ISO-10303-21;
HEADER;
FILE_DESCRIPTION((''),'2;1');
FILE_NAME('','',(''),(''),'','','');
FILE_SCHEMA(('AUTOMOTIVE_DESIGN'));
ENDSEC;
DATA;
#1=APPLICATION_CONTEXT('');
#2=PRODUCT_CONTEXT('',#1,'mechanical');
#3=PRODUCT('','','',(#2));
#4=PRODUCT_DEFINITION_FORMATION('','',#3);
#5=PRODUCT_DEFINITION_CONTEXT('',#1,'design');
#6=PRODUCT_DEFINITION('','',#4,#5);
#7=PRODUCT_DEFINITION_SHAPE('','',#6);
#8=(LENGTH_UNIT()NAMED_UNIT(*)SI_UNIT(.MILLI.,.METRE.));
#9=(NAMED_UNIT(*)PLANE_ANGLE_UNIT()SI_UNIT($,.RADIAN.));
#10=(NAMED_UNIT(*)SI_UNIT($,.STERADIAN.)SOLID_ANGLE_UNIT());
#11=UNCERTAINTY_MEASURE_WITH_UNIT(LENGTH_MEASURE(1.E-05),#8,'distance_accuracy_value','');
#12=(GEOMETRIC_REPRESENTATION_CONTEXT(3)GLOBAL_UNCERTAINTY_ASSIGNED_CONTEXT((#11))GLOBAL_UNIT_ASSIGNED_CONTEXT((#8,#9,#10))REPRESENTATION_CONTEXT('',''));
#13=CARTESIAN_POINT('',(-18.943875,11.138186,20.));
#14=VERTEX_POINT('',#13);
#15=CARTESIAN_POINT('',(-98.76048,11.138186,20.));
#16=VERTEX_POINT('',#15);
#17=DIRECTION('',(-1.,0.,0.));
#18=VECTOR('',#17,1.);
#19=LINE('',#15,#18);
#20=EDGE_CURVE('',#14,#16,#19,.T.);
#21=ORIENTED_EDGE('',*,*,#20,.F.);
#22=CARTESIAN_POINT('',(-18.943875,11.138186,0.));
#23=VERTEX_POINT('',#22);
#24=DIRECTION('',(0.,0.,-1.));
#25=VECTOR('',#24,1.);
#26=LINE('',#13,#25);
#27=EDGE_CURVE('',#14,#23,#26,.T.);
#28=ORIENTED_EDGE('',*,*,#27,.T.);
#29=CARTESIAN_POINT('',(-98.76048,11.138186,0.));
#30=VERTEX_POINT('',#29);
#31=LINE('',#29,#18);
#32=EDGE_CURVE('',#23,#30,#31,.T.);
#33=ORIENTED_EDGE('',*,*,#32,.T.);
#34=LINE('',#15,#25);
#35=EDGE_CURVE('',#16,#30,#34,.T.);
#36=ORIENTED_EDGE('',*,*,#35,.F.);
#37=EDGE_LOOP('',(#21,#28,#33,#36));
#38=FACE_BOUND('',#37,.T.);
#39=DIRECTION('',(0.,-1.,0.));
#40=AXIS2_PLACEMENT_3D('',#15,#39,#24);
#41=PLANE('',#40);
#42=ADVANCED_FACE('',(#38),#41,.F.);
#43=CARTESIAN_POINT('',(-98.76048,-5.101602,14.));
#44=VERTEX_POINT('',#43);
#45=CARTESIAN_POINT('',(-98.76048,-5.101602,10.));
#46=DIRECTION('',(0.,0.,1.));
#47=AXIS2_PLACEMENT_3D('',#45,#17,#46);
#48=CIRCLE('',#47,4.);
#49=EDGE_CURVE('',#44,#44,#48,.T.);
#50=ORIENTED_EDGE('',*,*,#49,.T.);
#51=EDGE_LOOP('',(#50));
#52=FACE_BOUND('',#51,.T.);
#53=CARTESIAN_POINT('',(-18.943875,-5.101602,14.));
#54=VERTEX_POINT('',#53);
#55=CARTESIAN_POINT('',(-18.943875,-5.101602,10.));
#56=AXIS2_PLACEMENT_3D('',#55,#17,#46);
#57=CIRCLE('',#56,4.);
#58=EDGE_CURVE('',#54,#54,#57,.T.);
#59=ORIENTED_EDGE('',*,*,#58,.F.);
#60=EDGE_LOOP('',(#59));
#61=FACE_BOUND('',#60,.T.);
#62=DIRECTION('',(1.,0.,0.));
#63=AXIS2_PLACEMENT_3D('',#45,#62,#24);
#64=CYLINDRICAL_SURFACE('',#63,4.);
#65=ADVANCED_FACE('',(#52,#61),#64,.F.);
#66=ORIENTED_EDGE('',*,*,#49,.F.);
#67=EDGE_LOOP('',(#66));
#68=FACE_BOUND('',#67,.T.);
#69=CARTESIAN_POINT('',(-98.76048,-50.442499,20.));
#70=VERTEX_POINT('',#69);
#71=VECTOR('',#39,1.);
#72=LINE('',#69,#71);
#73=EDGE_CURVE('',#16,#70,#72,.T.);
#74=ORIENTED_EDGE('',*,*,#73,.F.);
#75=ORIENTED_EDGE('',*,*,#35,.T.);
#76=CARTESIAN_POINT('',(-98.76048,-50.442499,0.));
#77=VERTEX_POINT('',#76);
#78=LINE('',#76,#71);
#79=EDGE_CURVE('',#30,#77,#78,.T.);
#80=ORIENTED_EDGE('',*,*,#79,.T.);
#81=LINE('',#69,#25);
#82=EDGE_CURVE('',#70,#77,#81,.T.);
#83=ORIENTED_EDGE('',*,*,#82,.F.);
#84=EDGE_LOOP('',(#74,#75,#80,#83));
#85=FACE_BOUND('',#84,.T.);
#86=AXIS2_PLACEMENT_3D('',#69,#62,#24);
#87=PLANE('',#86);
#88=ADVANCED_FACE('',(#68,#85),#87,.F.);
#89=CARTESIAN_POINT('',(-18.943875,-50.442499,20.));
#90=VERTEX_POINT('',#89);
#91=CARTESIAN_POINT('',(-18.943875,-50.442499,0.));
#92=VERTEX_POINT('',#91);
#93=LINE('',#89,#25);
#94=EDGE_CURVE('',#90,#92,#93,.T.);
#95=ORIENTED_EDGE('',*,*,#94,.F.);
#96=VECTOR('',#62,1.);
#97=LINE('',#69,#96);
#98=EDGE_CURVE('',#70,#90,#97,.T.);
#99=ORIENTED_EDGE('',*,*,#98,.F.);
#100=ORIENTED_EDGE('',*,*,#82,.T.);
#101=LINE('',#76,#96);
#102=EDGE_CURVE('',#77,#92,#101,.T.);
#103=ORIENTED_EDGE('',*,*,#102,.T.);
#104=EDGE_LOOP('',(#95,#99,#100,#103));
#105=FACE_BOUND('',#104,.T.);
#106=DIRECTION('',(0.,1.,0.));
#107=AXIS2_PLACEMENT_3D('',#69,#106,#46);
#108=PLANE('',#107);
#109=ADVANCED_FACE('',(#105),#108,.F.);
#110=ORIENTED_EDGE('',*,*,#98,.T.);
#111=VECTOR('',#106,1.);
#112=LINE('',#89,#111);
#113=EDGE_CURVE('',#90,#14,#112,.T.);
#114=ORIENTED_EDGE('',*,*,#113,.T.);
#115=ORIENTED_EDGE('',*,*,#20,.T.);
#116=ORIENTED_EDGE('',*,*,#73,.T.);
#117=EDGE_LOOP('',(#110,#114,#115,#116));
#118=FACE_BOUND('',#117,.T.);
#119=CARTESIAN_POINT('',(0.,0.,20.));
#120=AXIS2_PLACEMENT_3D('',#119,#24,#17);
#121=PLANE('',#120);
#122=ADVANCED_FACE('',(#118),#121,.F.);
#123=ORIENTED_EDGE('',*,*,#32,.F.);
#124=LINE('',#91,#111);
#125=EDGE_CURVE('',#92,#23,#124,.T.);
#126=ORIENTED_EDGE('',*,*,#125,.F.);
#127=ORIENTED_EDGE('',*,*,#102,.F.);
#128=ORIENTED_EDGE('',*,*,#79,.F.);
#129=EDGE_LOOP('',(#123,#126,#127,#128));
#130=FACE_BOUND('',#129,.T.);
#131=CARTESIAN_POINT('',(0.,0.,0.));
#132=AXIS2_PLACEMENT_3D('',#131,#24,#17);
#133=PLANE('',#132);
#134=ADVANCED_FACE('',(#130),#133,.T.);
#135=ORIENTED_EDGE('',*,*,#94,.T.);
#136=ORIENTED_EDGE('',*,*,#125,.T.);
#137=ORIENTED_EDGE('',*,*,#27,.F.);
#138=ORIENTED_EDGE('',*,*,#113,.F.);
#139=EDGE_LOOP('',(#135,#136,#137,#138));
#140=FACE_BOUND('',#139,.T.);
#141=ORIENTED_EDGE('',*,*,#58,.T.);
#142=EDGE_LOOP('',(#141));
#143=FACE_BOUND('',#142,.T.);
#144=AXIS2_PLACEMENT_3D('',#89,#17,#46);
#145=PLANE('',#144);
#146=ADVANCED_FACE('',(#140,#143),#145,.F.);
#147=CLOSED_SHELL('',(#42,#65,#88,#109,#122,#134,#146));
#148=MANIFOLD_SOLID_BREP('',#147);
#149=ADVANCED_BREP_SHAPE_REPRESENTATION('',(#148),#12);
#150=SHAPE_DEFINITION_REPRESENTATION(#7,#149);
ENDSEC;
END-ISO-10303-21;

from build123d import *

# Parameters (mm, degrees)
SKETCH1_W           = 79.816604327
SKETCH1_H           = 61.580684207
BOSS_EXTRUDE1_DEPTH = 20
CUT_EXTRUDE1_START  = -18.943875
SKETCH3_R           = 4
CUT_EXTRUDE1_DEPTH  = 80.816604514


with BuildPart() as part:
    # Sketch1 → Boss-Extrude1 (new body)
    with BuildSketch(Plane.XY):
        with Locations((-58.852177351, -19.652156424)):
            Rectangle(SKETCH1_W, SKETCH1_H)
    extrude(amount=BOSS_EXTRUDE1_DEPTH)

    # Sketch3 → Cut-Extrude1 (cut, through all)
    with BuildSketch(Plane(origin=(0, 0, 0), x_dir=(0, 0, -1), z_dir=(1, 0, 0)).offset(CUT_EXTRUDE1_START)):
        with Locations((-10, -5.101602078)):
            Circle(SKETCH3_R)
    extrude(amount=-CUT_EXTRUDE1_DEPTH, mode=Mode.SUBTRACT)


solid = part.part
